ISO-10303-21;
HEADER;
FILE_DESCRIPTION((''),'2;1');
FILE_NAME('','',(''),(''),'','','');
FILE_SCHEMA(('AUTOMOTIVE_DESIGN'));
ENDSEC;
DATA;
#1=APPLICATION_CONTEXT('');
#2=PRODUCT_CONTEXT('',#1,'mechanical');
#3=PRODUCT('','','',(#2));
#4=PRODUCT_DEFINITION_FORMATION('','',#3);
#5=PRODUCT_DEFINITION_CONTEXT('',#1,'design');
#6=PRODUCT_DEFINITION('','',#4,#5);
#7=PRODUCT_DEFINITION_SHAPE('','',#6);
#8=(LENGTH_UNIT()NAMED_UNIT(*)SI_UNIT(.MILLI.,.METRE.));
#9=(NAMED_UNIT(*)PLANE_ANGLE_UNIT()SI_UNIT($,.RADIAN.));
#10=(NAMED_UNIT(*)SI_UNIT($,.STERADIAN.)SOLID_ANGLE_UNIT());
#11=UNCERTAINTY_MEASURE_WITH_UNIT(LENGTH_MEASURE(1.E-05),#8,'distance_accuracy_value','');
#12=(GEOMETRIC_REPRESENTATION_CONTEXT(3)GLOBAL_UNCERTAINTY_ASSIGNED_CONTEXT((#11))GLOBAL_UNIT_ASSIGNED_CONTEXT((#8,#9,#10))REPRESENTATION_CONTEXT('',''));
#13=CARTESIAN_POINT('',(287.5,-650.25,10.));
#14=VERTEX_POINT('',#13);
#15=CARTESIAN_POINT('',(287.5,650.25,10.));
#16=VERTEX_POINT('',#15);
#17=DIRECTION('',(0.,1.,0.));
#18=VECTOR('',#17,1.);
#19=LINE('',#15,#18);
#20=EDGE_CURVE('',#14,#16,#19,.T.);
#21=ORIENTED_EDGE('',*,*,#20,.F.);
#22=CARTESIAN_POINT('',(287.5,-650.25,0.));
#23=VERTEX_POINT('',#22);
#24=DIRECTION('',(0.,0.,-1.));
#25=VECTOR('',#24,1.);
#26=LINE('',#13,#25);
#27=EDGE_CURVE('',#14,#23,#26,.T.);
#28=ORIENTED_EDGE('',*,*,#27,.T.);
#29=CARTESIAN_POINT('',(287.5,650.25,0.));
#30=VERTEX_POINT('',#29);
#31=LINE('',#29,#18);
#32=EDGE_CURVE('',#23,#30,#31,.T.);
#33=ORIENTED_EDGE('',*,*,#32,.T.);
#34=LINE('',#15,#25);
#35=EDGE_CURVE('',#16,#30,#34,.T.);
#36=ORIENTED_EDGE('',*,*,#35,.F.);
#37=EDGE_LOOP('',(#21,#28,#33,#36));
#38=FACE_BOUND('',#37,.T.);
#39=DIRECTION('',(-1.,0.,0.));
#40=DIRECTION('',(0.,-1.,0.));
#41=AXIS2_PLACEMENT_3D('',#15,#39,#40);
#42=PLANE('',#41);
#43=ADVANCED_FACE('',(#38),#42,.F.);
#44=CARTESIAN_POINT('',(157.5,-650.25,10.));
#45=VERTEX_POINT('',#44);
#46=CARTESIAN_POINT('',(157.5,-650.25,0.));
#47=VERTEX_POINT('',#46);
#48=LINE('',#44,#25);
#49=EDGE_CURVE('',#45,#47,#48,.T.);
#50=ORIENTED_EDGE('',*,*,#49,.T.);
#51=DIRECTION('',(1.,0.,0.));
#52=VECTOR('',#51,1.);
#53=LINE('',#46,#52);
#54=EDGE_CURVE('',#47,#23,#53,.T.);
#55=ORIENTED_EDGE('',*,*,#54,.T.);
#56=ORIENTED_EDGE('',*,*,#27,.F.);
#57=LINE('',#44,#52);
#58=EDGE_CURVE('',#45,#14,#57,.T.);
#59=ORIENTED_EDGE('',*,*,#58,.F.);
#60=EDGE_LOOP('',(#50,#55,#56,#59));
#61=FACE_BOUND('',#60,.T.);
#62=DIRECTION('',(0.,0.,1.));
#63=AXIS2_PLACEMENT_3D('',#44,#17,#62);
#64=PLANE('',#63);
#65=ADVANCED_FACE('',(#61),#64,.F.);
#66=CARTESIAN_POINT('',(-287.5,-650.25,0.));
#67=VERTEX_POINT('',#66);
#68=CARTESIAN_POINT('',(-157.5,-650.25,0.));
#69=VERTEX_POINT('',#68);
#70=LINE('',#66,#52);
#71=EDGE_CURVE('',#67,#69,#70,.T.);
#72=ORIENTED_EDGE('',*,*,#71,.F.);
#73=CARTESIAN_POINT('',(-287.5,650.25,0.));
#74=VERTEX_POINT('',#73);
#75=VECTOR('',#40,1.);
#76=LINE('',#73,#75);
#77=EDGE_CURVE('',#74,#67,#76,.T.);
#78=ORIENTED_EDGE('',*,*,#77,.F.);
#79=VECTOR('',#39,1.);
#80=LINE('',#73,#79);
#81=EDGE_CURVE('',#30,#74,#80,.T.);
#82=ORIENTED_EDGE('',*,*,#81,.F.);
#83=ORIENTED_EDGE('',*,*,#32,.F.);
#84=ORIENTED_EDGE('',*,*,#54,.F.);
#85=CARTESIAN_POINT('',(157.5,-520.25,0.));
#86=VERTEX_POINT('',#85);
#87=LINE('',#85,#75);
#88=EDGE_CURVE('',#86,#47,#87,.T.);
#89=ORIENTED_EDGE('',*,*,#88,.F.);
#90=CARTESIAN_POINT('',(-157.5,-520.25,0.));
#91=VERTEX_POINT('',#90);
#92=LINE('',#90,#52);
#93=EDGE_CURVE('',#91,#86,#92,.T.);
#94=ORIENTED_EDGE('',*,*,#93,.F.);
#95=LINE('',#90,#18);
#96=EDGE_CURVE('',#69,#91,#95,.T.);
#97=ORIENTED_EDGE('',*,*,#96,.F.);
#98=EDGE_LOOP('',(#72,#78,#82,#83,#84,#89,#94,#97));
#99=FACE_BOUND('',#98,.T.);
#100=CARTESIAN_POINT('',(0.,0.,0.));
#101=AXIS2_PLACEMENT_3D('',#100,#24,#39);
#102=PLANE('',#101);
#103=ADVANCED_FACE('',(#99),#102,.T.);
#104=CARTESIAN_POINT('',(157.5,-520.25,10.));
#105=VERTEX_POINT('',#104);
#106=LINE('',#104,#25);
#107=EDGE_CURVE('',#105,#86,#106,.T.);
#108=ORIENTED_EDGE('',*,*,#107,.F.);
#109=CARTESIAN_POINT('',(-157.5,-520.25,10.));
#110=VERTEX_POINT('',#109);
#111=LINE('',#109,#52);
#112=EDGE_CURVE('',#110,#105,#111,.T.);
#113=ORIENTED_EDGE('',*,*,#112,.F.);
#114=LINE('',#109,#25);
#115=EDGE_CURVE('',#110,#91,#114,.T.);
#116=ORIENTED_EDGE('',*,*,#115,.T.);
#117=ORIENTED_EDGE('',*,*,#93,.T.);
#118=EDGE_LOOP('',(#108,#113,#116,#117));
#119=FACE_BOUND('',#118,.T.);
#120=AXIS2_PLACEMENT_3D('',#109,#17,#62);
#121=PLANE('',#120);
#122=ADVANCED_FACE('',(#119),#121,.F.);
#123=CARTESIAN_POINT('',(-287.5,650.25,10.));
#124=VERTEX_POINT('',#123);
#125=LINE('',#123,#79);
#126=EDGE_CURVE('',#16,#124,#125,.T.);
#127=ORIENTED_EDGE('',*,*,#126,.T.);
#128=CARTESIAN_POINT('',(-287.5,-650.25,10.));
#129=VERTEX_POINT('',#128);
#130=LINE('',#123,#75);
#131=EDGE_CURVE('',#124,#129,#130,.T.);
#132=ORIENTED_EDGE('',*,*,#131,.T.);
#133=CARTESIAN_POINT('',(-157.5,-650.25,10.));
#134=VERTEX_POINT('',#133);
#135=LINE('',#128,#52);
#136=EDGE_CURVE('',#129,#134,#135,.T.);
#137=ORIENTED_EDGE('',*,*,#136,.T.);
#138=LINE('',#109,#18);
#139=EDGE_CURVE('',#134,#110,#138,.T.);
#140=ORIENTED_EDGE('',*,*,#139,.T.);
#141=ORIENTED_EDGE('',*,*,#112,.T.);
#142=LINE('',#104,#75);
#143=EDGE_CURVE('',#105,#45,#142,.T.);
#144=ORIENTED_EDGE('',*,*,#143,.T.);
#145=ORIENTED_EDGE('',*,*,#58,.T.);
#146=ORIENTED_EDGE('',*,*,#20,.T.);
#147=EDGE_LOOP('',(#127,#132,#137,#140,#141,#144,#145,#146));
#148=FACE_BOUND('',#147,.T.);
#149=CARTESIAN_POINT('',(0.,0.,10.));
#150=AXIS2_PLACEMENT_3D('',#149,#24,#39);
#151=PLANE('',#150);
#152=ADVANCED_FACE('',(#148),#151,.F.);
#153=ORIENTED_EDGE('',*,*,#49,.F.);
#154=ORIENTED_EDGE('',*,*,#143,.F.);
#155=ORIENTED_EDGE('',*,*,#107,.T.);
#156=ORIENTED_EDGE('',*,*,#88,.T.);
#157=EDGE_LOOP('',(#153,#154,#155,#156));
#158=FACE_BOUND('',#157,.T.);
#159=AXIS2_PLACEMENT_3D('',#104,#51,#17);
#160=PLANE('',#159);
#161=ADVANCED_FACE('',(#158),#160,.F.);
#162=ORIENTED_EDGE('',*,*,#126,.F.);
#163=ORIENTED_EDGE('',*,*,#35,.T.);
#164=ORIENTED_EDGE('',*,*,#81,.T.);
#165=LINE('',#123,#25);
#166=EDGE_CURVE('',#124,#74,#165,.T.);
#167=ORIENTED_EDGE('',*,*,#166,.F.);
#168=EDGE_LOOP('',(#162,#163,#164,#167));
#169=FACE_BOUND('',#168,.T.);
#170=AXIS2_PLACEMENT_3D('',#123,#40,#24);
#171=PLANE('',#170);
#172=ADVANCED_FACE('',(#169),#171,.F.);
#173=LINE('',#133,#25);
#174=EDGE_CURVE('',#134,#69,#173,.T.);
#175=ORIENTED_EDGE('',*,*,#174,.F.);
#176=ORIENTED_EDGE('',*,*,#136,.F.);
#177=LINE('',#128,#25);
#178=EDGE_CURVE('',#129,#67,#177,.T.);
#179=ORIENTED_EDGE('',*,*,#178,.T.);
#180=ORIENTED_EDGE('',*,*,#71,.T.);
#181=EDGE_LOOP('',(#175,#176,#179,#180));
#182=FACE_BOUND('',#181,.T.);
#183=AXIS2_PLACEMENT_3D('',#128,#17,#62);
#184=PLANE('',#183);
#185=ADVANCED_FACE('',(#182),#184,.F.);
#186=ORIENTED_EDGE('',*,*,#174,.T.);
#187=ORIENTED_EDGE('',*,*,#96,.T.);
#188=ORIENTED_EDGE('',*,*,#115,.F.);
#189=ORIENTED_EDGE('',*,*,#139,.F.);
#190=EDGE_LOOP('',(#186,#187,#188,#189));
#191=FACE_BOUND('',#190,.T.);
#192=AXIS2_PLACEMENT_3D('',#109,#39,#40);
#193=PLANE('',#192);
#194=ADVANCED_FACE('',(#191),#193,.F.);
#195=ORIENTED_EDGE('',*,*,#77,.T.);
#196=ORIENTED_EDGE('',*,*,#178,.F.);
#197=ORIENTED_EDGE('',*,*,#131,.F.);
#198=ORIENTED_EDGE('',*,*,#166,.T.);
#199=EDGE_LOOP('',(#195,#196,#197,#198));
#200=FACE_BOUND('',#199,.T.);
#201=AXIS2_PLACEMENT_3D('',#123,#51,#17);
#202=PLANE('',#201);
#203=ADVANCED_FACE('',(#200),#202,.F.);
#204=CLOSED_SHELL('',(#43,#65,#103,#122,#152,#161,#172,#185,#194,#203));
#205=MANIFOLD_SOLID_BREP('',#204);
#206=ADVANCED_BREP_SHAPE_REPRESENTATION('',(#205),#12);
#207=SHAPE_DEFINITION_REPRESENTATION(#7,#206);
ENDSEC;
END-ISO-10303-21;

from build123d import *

# Parameters (mm, degrees)
BOSS_EXTRUDE1_DEPTH = 10


with BuildPart() as part:
    # Sketch1 → Boss-Extrude1 (new body)
    with BuildSketch(Plane.XY):
        Polygon((-287.5, 650.25), (287.5, 650.25), (287.5, -650.25), (157.5, -650.25), (157.5, -520.25), (-157.5, -520.25), (-157.5, -650.25), (-287.5, -650.25), align=None)
    extrude(amount=BOSS_EXTRUDE1_DEPTH)


solid = part.part
